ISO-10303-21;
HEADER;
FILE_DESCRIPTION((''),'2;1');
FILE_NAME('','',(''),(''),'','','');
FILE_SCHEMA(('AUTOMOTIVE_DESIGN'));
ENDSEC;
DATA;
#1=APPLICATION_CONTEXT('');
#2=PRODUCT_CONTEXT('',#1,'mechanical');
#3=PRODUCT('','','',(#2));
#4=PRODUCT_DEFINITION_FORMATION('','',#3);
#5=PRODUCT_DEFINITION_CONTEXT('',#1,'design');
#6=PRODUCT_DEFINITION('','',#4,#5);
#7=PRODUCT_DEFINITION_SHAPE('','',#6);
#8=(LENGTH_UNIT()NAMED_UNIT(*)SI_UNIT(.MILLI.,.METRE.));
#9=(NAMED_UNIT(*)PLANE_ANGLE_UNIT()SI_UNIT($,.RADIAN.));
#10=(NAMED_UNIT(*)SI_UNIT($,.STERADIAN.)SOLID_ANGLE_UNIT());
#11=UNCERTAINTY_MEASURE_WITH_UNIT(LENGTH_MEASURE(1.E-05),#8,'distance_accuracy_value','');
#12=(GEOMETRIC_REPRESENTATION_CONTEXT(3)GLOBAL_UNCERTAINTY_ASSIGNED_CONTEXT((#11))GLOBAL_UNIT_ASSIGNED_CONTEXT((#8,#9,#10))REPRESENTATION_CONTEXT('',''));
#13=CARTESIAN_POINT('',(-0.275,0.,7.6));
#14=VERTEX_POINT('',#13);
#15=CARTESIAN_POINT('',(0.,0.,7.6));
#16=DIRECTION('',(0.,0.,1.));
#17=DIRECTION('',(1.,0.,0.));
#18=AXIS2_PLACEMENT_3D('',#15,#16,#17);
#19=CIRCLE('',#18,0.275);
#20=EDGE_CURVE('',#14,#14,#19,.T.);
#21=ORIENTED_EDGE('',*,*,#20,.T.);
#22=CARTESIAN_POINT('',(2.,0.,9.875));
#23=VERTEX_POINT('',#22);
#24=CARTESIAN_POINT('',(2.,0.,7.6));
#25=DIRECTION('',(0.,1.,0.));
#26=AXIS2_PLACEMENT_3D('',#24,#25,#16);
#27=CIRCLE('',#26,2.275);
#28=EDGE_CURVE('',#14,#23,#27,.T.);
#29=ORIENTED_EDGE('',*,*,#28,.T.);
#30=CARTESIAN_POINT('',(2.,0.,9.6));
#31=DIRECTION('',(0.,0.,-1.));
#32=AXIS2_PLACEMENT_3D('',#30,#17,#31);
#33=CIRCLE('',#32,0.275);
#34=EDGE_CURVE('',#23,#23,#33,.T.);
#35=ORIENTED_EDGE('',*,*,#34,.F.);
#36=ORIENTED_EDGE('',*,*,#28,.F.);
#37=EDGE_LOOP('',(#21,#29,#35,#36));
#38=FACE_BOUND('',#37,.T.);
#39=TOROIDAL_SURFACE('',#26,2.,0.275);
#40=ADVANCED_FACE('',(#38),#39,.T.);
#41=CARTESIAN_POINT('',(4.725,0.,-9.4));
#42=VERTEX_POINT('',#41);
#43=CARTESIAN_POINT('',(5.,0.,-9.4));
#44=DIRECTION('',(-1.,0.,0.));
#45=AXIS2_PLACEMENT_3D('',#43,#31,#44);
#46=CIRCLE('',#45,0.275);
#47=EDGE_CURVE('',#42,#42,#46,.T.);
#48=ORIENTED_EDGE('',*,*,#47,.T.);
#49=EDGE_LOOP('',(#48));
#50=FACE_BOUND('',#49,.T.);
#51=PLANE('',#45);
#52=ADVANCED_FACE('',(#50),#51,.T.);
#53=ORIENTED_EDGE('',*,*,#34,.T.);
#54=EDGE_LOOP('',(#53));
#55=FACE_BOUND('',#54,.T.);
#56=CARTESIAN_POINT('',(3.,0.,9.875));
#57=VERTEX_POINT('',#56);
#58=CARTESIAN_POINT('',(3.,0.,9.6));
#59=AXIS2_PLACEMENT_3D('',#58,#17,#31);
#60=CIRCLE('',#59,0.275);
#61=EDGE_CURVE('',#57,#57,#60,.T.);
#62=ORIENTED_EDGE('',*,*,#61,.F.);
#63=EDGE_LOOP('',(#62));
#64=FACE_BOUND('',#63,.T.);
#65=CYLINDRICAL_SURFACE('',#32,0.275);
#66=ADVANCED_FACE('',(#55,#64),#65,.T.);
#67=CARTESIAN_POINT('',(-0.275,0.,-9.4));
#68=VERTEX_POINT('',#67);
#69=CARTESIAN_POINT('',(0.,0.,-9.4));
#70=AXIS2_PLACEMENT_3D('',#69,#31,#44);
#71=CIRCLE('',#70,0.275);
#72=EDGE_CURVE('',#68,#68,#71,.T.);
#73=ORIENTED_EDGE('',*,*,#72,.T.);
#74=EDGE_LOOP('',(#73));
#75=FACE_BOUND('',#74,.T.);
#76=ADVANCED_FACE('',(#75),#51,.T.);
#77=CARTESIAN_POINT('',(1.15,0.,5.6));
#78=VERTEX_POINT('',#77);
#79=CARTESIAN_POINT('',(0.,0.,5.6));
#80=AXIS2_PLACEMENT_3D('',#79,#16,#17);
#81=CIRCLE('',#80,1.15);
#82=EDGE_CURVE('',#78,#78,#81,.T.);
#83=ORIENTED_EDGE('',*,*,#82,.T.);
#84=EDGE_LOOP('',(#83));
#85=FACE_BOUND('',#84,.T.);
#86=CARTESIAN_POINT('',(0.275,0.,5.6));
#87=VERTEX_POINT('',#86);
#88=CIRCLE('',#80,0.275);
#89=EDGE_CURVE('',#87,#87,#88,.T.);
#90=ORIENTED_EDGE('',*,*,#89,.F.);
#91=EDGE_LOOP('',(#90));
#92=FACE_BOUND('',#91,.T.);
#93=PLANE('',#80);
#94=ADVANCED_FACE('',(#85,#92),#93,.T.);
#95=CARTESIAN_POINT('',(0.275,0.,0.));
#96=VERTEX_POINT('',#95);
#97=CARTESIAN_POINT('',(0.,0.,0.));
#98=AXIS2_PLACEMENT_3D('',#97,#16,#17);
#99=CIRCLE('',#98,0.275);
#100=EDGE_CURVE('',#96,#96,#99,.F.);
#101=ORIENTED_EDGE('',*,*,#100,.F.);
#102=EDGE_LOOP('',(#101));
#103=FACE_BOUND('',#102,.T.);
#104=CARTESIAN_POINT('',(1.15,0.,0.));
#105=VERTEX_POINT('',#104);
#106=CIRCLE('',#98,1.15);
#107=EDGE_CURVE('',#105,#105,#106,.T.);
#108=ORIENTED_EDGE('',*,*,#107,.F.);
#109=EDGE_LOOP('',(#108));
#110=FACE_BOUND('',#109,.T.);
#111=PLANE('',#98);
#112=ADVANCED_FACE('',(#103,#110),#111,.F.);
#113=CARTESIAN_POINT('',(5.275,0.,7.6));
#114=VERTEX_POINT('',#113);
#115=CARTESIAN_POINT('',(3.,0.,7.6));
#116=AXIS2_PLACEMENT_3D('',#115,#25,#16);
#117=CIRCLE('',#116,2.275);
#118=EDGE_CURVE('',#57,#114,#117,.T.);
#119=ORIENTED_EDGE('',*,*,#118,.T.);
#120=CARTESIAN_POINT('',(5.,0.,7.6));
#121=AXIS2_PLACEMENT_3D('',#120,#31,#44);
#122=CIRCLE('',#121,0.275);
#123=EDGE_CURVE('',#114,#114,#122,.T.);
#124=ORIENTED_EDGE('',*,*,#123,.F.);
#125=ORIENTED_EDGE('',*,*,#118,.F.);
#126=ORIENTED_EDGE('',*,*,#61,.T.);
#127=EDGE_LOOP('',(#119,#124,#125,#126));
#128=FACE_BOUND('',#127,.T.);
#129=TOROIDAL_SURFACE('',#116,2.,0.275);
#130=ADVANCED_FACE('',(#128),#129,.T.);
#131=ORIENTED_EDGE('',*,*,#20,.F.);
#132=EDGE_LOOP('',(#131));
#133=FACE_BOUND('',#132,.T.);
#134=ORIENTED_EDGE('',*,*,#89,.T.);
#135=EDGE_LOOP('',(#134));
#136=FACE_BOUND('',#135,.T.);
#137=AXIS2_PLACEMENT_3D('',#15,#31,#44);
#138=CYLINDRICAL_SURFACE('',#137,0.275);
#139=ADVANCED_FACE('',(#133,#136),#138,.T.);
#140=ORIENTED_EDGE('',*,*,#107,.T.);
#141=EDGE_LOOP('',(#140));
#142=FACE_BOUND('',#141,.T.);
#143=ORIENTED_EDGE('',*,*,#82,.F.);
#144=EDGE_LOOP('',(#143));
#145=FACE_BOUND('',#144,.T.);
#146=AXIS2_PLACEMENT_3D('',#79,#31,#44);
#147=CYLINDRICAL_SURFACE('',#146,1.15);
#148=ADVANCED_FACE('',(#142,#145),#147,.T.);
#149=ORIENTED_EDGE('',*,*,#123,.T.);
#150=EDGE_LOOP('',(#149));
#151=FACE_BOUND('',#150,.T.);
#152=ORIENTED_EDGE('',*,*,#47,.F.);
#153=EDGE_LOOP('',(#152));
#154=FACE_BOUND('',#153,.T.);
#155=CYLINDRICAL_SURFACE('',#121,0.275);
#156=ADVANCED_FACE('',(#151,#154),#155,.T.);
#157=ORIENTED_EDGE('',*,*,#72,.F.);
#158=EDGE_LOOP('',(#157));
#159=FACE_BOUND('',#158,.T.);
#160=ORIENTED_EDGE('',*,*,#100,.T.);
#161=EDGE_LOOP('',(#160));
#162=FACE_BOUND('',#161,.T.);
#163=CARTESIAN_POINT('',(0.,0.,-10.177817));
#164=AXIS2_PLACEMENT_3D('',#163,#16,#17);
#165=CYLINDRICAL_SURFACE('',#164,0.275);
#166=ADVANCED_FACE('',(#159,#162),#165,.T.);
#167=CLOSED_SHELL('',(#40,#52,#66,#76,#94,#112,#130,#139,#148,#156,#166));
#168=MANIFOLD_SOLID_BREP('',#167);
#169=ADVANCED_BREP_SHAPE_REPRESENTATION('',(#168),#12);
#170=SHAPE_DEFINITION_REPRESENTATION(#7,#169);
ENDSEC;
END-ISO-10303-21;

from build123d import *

# Parameters (mm, degrees)
SKETCH2_R           = 1.15
RESISTOR_BODY_DEPTH = 5.6
LEAD1_PROFILE_R     = 0.275
SKETCH6_R           = 0.275
LEAD2_DEPTH         = 9.4


with BuildPart() as part:
    # Sketch2 → Resistor Body (new body)
    with BuildSketch(Plane.XY):
        Circle(SKETCH2_R)
    extrude(amount=RESISTOR_BODY_DEPTH)

    # Lead1: sweep along a path in Lead1 Path
    with BuildLine(Plane(origin=(0, 0, 0), x_dir=(1, 0, 0), z_dir=(0, 1, 0))) as lead1_path:
        Line((0, -5.6), (0, -7.6))
        ThreePointArc((0, -7.6), (0.585786438, -9.014213562), (2, -9.6))
        Line((2, -9.6), (3, -9.6))
        ThreePointArc((3, -9.6), (4.414213562, -9.014213562), (5, -7.6))
        Line((5, -7.6), (5, 9.4))
    # Lead1 Profile → Lead1 (sweep)
    with BuildSketch(Plane(origin=(0, 0, 5.6), x_dir=(-1, 0, 0), z_dir=(0, 0, 1))):
        Circle(LEAD1_PROFILE_R)
    sweep(path=lead1_path.line)

    # Sketch6 → Lead2 (add)
    with BuildSketch(Plane(origin=(0, 0, 0), x_dir=(1, 0, 0), z_dir=(0, 0, -1))):
        Circle(SKETCH6_R)
    extrude(amount=LEAD2_DEPTH)


solid = part.part
